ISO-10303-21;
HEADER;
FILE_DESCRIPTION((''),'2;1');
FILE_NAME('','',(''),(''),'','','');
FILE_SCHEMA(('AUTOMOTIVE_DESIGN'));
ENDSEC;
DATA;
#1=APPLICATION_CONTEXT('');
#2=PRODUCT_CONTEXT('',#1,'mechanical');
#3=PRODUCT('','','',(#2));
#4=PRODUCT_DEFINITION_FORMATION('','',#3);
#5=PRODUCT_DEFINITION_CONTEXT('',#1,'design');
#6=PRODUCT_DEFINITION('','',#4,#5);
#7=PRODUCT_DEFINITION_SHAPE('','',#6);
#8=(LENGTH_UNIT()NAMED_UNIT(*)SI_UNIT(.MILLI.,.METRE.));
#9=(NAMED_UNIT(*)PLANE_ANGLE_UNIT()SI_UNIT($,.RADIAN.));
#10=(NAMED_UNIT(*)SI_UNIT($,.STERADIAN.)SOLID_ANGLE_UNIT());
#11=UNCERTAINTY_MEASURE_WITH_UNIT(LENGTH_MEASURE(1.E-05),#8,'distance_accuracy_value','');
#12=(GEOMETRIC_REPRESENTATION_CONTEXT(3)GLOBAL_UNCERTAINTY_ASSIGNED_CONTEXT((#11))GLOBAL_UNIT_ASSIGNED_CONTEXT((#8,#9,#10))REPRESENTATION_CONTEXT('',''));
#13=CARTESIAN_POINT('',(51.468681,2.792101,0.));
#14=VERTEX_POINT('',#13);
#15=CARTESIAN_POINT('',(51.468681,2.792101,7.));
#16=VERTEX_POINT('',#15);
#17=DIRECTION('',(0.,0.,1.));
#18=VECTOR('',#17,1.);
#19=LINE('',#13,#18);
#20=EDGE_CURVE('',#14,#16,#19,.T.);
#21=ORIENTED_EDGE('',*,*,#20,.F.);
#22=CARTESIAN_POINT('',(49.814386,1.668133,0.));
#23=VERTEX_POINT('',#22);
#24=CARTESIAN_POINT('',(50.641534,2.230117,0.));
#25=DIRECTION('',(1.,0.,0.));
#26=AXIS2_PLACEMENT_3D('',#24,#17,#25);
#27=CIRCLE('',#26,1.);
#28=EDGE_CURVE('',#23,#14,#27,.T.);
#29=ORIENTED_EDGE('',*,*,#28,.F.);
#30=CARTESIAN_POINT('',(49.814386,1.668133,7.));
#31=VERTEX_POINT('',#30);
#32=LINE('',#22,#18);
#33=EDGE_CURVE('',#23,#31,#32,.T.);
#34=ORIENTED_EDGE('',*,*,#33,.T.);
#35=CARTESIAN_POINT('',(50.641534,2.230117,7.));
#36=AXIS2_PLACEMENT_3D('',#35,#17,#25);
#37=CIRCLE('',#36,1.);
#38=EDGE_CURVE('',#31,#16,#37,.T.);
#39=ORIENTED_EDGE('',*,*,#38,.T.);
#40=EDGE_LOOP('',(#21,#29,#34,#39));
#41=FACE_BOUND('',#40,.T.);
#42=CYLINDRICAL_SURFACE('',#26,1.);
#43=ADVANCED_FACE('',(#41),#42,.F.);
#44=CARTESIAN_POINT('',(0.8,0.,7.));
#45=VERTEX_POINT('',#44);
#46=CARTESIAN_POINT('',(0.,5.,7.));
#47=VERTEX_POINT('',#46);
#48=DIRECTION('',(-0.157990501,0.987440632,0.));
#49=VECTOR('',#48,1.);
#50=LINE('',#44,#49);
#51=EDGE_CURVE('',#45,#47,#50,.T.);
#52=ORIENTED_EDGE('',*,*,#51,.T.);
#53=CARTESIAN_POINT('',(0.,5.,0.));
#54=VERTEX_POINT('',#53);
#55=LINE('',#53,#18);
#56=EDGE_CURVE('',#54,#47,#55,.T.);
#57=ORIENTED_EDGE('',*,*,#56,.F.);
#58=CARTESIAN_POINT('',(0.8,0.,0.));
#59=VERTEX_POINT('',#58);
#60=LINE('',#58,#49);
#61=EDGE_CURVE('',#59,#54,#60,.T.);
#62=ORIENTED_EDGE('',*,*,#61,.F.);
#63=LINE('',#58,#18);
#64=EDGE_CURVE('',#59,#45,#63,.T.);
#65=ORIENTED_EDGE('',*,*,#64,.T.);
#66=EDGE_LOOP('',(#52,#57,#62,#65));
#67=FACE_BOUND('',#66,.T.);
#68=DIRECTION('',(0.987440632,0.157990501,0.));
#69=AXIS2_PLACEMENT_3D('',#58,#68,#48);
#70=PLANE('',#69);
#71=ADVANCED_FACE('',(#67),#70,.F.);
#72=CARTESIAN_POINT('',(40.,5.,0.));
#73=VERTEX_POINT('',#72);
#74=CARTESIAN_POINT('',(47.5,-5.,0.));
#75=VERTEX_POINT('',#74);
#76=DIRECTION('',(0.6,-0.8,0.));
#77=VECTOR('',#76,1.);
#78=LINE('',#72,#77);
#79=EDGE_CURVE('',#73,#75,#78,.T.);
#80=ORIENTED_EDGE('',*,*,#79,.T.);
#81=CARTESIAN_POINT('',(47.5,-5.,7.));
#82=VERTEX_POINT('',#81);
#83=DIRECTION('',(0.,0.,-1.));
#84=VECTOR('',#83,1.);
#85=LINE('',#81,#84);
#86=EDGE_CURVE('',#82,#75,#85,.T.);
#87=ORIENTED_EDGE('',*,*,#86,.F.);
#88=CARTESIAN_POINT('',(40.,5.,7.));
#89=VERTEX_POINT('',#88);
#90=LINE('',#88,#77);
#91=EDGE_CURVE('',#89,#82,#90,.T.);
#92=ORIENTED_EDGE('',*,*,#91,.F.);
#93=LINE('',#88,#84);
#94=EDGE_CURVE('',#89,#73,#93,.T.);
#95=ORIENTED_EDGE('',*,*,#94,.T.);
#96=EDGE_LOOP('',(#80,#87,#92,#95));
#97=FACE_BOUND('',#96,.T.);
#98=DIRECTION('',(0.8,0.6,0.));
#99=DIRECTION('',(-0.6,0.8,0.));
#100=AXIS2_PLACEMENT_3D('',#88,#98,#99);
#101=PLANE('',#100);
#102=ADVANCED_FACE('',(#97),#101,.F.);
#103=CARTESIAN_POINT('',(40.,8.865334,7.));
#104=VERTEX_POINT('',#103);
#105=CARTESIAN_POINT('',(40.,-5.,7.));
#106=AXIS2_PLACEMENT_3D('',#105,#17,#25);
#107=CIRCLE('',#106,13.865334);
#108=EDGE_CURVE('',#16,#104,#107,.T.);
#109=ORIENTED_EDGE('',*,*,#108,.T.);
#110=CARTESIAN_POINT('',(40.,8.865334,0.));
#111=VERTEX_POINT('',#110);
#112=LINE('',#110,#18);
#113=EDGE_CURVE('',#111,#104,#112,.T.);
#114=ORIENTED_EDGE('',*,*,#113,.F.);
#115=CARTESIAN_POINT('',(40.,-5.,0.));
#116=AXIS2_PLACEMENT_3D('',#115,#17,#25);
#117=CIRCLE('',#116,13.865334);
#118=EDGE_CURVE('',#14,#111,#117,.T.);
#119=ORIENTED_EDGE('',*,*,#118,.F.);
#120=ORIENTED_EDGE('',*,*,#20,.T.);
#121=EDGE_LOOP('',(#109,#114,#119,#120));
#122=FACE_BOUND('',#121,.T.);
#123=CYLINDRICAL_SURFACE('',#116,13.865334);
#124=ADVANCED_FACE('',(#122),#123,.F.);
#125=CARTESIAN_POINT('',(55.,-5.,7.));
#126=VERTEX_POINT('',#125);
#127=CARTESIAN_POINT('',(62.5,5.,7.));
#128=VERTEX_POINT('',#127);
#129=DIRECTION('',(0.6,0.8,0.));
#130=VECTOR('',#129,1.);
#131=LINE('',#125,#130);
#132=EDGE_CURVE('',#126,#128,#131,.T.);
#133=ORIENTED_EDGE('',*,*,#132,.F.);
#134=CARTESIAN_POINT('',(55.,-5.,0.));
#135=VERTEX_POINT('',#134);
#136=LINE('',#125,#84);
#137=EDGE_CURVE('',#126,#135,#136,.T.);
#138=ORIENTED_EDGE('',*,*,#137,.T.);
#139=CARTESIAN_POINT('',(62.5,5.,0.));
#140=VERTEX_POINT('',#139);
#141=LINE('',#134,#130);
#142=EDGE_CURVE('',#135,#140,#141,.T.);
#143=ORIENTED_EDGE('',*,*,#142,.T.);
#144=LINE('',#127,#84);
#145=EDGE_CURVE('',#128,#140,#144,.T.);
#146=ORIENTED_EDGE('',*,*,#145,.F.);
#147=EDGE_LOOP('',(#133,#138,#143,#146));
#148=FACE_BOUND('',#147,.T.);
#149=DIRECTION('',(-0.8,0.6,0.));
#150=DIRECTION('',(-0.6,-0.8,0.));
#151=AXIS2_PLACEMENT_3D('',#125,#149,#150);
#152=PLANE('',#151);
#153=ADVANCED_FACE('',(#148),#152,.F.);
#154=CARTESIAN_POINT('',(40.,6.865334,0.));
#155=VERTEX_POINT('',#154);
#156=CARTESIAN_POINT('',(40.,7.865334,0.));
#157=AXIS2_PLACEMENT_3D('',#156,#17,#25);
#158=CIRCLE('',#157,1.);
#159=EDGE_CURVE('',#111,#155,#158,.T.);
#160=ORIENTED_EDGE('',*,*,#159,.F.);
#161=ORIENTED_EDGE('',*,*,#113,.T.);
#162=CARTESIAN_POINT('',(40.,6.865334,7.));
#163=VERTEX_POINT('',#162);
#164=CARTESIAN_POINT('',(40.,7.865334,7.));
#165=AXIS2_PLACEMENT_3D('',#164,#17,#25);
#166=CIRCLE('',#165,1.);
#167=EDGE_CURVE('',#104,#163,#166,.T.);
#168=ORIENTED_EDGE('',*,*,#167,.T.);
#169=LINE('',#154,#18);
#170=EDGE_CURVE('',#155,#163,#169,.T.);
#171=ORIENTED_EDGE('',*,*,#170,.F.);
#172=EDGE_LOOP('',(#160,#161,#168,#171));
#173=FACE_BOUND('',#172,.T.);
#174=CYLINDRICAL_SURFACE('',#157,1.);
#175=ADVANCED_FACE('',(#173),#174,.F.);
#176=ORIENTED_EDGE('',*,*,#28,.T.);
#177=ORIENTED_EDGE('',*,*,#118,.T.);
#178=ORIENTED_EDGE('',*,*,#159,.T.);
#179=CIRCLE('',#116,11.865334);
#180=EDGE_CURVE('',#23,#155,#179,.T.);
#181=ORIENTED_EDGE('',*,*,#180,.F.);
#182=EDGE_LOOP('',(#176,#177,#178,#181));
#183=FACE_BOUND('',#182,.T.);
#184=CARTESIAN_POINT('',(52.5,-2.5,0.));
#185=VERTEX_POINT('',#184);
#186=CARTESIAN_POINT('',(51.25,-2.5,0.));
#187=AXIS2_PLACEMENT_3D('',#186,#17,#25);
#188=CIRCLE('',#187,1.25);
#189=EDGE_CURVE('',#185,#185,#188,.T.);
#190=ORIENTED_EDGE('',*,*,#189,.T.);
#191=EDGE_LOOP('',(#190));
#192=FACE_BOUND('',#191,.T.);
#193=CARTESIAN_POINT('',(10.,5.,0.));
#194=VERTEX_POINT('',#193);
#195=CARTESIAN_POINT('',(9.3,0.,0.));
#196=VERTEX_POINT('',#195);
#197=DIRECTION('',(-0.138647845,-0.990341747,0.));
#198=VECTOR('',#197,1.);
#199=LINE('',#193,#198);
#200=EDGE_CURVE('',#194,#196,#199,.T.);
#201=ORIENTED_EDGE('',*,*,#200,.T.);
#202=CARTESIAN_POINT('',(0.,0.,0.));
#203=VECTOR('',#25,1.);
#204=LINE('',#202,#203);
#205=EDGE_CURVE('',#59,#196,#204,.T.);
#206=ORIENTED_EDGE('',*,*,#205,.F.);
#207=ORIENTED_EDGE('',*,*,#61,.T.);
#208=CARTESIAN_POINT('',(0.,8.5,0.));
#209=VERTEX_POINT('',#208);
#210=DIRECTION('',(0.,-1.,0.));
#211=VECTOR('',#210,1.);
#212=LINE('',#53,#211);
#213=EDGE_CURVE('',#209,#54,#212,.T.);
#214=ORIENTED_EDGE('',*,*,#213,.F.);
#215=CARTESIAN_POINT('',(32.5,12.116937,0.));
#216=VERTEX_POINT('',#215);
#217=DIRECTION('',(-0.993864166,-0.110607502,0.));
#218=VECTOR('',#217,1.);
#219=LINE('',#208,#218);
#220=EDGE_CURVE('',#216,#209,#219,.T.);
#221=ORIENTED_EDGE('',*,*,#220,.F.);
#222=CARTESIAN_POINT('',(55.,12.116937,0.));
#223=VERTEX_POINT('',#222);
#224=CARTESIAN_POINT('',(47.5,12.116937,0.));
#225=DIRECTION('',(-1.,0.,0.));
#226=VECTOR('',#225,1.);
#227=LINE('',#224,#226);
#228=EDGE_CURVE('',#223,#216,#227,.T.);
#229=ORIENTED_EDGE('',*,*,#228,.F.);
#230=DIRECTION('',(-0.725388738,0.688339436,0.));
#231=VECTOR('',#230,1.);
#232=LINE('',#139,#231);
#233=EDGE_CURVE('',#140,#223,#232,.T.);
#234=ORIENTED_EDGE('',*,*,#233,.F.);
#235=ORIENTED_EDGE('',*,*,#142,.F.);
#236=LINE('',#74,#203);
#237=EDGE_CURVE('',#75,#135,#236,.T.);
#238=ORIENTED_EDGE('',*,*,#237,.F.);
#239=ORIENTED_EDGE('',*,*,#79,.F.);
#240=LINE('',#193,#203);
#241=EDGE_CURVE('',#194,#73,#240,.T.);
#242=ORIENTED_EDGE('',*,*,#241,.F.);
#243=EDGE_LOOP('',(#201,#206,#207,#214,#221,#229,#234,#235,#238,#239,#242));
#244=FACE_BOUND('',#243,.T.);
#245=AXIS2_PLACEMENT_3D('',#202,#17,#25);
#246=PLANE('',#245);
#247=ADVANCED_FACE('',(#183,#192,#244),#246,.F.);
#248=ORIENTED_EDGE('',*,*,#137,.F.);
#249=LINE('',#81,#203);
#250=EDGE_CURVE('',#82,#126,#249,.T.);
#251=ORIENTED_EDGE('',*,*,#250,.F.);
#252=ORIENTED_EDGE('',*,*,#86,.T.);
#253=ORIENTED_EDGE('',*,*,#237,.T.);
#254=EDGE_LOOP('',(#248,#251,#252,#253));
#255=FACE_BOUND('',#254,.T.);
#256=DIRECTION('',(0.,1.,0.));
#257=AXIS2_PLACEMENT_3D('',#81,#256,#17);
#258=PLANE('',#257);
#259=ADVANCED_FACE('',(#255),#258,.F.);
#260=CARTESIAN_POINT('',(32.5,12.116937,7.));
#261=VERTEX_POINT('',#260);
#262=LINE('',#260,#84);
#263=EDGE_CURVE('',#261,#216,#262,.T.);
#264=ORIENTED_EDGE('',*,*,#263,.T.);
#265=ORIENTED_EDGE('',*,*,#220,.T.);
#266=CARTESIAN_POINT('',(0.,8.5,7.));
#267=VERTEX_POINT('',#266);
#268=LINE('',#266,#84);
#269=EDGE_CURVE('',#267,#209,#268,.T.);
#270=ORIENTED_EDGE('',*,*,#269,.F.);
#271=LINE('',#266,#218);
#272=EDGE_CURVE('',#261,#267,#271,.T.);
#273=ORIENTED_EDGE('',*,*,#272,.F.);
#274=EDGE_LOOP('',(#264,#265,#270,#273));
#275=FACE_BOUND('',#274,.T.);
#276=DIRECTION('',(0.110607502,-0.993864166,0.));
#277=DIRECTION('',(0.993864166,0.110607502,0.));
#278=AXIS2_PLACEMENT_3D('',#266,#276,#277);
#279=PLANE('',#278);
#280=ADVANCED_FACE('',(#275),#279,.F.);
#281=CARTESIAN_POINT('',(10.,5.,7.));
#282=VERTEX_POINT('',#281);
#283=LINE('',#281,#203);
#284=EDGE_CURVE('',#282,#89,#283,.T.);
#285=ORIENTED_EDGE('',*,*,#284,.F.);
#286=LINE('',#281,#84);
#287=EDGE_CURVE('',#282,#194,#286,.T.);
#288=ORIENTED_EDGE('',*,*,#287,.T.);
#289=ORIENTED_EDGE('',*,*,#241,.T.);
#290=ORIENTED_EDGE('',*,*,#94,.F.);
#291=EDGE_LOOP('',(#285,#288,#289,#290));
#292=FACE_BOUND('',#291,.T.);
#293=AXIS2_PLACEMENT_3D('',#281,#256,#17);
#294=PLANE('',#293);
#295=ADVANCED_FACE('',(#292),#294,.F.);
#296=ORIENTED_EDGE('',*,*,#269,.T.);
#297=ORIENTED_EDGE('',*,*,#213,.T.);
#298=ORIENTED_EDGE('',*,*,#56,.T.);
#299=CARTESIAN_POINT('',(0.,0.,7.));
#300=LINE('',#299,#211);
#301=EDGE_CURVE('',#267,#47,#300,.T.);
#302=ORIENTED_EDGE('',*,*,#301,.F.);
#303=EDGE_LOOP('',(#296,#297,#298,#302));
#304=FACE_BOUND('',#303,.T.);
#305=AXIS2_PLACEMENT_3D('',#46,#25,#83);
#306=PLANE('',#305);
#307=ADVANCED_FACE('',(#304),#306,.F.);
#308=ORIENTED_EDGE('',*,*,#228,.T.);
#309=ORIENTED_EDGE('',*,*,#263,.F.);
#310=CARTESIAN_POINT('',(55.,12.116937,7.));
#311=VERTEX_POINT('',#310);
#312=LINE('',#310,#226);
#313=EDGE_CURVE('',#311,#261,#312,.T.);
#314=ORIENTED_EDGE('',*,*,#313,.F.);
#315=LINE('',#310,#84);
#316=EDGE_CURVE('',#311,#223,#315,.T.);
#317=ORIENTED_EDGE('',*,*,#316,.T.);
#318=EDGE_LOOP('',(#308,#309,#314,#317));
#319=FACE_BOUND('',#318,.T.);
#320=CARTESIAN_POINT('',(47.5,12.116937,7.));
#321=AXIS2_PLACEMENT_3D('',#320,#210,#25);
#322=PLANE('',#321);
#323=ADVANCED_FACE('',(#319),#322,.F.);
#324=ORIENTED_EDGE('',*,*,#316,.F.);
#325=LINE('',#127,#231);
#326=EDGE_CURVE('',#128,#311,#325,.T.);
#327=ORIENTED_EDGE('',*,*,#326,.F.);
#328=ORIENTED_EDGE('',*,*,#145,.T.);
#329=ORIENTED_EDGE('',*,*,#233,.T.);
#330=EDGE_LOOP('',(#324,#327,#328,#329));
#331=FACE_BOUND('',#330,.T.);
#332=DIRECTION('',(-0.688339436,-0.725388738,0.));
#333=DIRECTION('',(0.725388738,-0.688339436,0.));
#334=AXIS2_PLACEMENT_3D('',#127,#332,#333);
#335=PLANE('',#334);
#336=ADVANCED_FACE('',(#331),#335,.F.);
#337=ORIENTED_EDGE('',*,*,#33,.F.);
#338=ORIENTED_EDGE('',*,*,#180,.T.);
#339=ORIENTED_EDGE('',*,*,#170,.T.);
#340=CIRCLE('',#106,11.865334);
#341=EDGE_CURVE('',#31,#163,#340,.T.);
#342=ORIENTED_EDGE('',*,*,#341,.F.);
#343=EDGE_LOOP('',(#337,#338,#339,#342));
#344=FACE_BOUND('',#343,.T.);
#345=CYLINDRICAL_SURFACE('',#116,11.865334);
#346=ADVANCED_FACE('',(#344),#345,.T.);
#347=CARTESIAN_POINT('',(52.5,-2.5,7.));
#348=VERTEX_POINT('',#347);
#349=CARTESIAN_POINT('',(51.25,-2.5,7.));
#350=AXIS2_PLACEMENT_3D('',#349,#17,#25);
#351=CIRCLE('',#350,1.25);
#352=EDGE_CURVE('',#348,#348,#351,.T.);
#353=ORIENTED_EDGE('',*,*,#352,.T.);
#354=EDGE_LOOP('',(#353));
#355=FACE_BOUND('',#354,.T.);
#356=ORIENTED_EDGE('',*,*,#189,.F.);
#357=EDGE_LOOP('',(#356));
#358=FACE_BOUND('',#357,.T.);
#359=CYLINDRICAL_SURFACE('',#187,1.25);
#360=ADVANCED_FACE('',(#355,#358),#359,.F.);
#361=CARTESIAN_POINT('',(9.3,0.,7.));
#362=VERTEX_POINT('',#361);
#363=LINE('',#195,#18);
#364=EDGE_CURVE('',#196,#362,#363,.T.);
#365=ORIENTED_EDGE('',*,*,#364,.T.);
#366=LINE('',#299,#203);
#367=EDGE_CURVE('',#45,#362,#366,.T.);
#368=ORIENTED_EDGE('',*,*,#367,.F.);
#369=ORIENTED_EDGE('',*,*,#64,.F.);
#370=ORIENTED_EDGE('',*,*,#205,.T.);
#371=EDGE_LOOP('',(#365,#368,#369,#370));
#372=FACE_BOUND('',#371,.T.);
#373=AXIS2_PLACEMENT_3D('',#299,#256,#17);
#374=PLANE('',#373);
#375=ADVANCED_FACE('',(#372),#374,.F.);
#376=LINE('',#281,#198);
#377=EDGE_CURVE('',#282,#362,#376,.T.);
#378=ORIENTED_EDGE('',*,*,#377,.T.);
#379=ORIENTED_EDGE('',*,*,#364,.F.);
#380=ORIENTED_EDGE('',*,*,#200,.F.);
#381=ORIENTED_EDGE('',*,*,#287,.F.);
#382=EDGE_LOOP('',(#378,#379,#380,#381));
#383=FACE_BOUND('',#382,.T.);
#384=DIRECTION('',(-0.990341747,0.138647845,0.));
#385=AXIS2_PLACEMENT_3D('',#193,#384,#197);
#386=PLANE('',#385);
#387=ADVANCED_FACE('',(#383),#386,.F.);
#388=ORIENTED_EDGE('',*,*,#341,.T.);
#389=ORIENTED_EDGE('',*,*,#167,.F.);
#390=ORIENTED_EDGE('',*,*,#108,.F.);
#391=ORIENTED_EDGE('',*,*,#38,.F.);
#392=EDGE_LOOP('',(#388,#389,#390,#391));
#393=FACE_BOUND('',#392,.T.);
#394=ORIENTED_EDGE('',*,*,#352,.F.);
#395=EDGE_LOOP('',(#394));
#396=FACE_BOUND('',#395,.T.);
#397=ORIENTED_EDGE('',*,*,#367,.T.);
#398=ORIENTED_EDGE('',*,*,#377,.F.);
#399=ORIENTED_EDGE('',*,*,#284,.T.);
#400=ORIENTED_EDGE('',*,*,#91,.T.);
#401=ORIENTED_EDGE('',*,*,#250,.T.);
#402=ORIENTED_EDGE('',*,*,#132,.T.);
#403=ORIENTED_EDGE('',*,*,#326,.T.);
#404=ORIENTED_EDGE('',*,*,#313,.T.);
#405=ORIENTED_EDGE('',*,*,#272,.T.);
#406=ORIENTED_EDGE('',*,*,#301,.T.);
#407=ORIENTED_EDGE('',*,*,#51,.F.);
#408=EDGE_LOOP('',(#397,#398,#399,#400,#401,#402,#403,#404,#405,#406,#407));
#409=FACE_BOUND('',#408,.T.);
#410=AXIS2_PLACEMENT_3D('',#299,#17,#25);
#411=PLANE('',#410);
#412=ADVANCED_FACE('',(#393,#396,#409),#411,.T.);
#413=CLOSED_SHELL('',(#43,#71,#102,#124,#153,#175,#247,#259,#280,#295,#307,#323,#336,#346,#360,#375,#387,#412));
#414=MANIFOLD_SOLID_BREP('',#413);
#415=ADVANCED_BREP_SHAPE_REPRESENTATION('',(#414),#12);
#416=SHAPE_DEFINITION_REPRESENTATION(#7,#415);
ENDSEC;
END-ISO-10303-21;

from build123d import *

# Parameters (mm, degrees)
BOSS_EXTRUDE1_DEPTH = 7
CUT_EXTRUDE1_DEPTH  = 8
CUT_EXTRUDE2_DEPTH  = 7
SKETCH5_R           = 1.25
CUT_EXTRUDE3_DEPTH  = 8
CUT_EXTRUDE4_DEPTH  = 8


with BuildPart() as part:
    # Sketch1 → Boss-Extrude1 (new body)
    with BuildSketch(Plane.XY):
        Polygon((0, 0), (10, 0), (10, 5), (40, 5), (47.5, -5), (55, -5), (62.5, 5), (55, 12.11693675), (47.5, 12.11693675), (32.5, 12.11693675), (0, 8.5), (0, 5), align=None)
    extrude(amount=BOSS_EXTRUDE1_DEPTH)

    # Sketch3 → Cut-Extrude1 (cut, through all)
    with BuildSketch(Plane.XY.offset(7)):
        Polygon((10, 5), (9.3, 0), (10, 0), align=None)
    extrude(amount=-CUT_EXTRUDE1_DEPTH, mode=Mode.SUBTRACT)

    # Sketch4 → Cut-Extrude2 (cut)
    with BuildSketch(Plane.XY.offset(7)):
        with BuildLine():
            ThreePointArc((51.468681491, 2.792101448), (46.488736675, 7.253317775), (40, 8.865334476))
            ThreePointArc((40, 8.865334476), (39, 7.865334476), (40, 6.865334476))
            ThreePointArc((40, 6.865334476), (45.552771274, 5.485842523), (49.814385807, 1.668132681))
            ThreePointArc((49.814385807, 1.668132681), (51.203518033, 1.402969222), (51.468681491, 2.792101448))
        make_face()
    extrude(amount=-CUT_EXTRUDE2_DEPTH, mode=Mode.SUBTRACT)

    # Sketch5 → Cut-Extrude3 (cut, through all)
    with BuildSketch(Plane.XY.offset(7)):
        with Locations((51.25, -2.5)):
            Circle(SKETCH5_R)
    extrude(amount=-CUT_EXTRUDE3_DEPTH, mode=Mode.SUBTRACT)

    # Sketch6 → Cut-Extrude4 (cut, through all)
    with BuildSketch(Plane.XY.offset(7)):
        Polygon((0, 0), (0.8, 0), (0, 5), align=None)
    extrude(amount=-CUT_EXTRUDE4_DEPTH, mode=Mode.SUBTRACT)


solid = part.part
